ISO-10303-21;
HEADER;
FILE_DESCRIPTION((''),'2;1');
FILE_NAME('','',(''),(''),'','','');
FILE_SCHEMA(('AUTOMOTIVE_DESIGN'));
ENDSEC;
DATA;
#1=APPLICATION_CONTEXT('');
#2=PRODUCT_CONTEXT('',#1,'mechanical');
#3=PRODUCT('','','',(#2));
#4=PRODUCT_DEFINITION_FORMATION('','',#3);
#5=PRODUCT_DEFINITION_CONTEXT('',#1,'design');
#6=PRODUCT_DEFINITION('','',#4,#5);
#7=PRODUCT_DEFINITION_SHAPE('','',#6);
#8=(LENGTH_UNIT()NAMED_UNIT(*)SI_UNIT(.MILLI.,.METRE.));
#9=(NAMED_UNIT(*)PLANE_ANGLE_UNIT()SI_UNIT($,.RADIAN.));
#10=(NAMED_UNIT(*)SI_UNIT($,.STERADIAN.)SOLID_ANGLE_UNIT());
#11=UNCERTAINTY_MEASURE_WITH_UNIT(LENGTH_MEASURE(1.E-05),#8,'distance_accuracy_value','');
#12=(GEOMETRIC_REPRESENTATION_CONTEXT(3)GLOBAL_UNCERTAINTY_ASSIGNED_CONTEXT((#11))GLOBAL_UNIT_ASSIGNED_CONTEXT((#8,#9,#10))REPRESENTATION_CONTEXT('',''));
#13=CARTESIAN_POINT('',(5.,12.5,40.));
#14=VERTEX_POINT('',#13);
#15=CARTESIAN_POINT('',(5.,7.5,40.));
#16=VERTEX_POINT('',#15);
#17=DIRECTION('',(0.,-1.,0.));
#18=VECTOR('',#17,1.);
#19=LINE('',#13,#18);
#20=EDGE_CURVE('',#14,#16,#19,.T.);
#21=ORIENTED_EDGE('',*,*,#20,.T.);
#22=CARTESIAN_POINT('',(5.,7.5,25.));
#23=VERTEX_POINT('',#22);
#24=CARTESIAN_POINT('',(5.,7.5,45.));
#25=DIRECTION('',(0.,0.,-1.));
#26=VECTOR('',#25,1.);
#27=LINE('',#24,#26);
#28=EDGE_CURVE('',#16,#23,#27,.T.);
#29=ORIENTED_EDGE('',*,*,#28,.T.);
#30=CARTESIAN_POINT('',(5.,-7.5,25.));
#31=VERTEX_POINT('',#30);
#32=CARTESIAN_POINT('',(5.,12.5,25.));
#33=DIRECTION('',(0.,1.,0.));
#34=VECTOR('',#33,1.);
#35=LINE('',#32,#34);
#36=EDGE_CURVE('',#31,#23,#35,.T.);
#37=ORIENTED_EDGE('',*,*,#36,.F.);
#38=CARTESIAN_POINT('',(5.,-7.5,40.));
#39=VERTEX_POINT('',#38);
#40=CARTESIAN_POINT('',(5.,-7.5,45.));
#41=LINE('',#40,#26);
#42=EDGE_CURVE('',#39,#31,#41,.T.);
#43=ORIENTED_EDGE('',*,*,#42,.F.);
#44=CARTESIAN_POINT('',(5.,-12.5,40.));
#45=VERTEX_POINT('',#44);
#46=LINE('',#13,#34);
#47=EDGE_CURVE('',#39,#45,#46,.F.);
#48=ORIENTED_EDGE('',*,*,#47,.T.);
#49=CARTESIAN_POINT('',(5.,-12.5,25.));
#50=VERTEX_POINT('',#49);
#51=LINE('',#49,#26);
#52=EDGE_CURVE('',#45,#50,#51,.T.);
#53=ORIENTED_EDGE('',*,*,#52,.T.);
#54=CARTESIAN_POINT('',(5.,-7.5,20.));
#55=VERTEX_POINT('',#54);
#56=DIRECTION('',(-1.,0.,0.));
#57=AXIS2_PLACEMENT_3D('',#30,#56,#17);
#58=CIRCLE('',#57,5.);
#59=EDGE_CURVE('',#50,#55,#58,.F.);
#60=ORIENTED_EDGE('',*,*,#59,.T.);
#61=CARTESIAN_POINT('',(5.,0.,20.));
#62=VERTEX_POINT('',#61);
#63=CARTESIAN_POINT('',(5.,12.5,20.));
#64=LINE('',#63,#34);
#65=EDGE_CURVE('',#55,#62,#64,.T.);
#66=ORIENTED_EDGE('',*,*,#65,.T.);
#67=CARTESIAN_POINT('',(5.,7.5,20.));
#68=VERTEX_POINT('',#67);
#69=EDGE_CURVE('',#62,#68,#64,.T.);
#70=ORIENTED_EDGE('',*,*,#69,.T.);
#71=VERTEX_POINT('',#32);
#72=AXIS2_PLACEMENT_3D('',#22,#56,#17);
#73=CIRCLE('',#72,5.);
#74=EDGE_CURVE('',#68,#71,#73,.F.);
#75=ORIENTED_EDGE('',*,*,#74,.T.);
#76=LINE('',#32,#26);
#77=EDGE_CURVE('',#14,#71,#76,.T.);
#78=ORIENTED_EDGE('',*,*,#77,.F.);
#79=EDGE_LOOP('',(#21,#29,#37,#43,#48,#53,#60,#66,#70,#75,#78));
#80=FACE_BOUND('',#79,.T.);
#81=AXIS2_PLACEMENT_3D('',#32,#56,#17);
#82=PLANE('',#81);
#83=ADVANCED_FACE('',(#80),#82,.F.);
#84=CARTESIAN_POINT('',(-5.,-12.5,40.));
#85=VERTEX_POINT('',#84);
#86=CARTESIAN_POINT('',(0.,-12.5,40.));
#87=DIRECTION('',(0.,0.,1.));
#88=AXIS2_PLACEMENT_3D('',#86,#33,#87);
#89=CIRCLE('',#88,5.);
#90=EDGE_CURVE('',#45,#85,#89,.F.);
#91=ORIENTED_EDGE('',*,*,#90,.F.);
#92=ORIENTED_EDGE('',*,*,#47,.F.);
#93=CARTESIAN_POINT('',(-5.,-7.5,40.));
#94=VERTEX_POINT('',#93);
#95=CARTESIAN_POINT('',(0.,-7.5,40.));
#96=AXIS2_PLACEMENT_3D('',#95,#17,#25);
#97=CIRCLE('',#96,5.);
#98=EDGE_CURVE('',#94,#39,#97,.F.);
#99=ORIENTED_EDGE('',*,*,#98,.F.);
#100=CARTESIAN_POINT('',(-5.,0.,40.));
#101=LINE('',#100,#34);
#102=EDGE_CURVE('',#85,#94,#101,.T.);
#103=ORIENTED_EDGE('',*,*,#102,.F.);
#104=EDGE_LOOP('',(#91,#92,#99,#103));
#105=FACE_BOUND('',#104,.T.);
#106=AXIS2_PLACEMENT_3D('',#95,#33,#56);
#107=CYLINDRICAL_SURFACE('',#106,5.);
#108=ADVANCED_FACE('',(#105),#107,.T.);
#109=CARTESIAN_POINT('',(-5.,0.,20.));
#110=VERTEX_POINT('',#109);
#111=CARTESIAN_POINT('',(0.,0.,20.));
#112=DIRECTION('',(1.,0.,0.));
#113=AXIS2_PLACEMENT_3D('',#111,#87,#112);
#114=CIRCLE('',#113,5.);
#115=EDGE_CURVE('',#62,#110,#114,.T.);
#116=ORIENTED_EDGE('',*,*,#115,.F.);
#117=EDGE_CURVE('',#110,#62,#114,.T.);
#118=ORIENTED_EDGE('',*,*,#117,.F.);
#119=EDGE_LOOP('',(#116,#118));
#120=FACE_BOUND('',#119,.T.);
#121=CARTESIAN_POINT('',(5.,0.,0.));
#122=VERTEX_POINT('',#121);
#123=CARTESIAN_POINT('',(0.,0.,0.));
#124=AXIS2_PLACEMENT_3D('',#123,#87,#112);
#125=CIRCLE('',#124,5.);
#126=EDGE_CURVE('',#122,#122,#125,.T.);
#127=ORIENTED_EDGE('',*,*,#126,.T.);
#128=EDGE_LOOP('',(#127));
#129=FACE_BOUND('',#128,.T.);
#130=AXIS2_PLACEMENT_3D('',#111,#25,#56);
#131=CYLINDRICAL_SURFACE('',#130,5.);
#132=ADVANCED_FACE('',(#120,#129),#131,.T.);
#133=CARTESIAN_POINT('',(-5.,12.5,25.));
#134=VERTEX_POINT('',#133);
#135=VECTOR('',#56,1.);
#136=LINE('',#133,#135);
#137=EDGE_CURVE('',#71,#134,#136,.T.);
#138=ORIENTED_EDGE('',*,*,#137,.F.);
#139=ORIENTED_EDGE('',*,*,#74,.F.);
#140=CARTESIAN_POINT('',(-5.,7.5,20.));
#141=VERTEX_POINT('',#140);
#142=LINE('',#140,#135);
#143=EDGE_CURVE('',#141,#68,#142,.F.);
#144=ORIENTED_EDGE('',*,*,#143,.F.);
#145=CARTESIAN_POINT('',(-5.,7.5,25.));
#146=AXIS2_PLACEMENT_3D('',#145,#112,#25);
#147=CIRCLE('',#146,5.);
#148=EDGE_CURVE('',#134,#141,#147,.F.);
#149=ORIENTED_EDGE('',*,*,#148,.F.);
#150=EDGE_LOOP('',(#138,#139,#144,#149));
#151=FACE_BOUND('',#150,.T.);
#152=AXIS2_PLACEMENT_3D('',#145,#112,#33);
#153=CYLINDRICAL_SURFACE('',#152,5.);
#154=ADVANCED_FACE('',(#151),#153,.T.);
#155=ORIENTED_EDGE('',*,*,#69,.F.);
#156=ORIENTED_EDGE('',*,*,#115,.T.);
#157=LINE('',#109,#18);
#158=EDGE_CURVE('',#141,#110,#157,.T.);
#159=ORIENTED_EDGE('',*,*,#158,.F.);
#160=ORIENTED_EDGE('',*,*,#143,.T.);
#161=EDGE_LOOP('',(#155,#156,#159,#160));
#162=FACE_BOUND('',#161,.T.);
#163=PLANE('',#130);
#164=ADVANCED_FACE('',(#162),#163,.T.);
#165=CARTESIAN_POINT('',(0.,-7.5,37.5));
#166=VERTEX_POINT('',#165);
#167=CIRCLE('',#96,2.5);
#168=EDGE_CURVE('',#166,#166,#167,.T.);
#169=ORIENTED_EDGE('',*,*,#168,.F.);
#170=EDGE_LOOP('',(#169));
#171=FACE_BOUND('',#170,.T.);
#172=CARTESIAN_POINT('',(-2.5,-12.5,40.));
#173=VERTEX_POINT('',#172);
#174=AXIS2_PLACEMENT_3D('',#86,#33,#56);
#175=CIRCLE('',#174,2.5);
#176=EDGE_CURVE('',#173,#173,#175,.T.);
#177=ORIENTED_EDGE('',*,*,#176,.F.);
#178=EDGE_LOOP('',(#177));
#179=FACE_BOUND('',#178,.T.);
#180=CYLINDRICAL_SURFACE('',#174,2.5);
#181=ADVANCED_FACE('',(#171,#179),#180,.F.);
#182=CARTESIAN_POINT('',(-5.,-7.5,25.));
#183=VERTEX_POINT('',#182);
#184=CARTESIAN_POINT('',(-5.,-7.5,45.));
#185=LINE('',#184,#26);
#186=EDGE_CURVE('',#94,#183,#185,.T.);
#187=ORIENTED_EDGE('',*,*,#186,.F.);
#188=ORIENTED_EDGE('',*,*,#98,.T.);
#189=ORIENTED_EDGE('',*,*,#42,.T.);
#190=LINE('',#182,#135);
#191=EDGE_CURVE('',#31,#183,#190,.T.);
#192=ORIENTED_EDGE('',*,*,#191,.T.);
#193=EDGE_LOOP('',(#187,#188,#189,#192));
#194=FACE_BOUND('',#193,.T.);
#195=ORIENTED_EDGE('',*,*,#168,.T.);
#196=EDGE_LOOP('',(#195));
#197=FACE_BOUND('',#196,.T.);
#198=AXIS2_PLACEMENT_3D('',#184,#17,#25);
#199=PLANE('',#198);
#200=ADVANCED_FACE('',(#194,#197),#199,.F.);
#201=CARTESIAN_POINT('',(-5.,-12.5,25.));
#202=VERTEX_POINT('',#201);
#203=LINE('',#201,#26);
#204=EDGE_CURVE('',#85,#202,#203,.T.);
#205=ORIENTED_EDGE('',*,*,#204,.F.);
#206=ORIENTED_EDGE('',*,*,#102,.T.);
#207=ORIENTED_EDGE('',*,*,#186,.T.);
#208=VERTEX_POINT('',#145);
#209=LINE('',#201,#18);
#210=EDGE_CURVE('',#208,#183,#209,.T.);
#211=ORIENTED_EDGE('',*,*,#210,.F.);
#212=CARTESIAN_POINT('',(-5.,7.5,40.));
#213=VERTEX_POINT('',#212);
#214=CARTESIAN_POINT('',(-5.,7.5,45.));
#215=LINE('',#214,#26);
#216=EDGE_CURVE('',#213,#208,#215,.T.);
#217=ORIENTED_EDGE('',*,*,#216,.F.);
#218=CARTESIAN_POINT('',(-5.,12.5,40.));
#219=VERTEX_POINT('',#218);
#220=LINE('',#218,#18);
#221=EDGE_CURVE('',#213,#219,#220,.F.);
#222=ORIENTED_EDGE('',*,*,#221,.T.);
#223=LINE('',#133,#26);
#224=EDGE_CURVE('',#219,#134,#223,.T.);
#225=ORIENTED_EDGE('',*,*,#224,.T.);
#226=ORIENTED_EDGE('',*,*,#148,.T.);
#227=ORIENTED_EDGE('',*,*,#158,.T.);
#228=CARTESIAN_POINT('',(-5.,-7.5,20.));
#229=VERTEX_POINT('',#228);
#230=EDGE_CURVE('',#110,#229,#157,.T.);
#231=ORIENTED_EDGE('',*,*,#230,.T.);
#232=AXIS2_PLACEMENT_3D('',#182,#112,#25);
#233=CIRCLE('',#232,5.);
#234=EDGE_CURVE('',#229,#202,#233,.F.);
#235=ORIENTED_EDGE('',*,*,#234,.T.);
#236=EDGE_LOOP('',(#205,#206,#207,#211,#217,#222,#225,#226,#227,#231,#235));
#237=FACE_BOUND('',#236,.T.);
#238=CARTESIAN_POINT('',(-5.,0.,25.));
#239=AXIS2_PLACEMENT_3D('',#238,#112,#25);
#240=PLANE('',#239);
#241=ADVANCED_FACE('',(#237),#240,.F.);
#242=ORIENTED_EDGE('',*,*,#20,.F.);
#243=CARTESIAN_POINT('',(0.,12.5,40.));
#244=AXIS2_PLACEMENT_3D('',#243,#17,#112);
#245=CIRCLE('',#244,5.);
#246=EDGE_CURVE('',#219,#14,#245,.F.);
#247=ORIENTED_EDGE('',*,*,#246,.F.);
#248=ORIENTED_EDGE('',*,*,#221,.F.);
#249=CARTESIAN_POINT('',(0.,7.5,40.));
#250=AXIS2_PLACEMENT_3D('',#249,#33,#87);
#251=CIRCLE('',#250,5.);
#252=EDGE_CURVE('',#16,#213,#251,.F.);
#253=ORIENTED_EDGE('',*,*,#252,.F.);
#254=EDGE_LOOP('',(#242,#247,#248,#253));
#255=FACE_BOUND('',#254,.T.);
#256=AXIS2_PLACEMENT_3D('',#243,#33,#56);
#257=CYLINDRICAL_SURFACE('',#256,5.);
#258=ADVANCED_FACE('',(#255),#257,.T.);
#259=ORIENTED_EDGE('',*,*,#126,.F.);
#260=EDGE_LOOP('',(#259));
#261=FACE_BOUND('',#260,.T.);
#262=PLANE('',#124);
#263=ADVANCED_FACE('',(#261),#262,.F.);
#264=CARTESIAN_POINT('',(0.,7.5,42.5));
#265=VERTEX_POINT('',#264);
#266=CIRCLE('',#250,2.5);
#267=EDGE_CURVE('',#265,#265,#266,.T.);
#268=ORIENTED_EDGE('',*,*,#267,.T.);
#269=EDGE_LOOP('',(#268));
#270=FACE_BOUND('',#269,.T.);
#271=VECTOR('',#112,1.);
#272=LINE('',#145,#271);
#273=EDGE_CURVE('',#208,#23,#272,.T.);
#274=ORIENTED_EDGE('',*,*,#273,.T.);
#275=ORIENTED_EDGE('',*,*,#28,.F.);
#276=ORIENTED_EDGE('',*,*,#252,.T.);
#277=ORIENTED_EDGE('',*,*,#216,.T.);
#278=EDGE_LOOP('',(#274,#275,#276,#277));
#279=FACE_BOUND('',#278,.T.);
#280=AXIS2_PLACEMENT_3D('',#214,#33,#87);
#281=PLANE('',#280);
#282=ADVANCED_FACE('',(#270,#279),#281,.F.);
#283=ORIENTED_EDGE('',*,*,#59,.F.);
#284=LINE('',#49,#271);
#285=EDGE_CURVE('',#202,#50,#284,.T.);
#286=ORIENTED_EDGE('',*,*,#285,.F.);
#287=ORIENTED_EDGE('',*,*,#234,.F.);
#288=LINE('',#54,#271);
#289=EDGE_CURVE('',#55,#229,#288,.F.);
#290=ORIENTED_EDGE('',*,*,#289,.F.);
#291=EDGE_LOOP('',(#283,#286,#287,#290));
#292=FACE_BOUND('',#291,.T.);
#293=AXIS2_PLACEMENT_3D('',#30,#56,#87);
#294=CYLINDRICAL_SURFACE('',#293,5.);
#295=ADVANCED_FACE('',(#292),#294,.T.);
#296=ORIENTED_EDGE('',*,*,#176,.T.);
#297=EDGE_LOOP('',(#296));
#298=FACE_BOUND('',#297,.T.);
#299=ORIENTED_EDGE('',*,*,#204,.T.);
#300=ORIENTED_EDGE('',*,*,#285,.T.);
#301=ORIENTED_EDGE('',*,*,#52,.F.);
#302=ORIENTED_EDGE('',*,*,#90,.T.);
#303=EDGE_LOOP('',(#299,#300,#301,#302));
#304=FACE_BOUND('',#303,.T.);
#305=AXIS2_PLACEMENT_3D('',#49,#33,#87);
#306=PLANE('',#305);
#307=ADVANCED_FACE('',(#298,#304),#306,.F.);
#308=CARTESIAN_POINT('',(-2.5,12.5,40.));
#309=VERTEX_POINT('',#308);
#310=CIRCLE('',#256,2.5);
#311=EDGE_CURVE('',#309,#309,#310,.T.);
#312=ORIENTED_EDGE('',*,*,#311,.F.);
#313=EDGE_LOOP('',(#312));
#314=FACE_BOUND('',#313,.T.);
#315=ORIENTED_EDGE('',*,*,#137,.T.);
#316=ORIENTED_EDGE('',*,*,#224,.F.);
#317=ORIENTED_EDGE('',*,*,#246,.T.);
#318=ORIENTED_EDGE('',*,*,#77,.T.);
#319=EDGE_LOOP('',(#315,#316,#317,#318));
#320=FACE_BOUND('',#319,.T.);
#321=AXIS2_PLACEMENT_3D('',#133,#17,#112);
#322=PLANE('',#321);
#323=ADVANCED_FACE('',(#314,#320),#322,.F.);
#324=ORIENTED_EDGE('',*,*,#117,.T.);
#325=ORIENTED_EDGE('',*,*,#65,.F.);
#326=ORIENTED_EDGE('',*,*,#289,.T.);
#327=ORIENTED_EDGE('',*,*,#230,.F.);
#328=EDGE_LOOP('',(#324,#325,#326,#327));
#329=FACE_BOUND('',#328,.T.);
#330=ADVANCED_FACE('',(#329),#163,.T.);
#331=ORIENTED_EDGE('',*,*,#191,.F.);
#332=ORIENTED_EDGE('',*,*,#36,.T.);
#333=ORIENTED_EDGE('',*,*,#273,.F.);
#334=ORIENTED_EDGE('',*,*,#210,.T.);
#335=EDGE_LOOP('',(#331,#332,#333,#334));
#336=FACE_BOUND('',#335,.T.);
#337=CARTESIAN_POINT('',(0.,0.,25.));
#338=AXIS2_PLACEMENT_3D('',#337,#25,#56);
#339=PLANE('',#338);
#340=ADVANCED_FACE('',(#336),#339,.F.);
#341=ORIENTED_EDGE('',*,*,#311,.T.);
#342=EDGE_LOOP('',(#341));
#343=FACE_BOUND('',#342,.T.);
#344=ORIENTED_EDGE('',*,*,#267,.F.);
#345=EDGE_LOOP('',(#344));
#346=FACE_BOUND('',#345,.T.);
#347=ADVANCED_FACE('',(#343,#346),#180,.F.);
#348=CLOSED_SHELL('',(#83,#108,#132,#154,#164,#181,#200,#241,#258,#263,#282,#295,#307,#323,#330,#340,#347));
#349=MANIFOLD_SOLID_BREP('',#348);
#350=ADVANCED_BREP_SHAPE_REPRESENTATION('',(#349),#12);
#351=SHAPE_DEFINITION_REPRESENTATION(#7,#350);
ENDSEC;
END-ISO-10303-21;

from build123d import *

# Parameters (mm, degrees)
SKETCH1_R           = 5
BOSS_EXTRUDE1_DEPTH = 20
BOSS_EXTRUDE2_DEPTH = 5
SKETCH3_W           = 10
SKETCH3_H           = 5
BOSS_EXTRUDE3_DEPTH = 20
SKETCH4_R           = 2.5
CUT_EXTRUDE1_DEPTH  = 52.720402164
FILLET1_RADIUS      = 5
FILLET1_LENGTH      = 5
FILLET2_RADIUS      = 5
FILLET2_LENGTH      = 5
FILLET4_R           = 5
FILLET5_R           = 5


with BuildPart() as part:
    # Sketch1 → Boss-Extrude1 (new body)
    with BuildSketch(Plane.XY):
        Circle(SKETCH1_R)
    extrude(amount=BOSS_EXTRUDE1_DEPTH)

    # Sketch2 → Boss-Extrude2 (add)
    with BuildSketch(Plane.XY.offset(20)):
        Polygon((-5, 0), (-5, 12.5), (5, 12.5), (5, -12.5), (-5, -12.5), align=None)
    extrude(amount=BOSS_EXTRUDE2_DEPTH)

    # Sketch3 → Boss-Extrude3 (add)
    with BuildSketch(Plane.XY.offset(25)):
        with Locations((0, 10)):
            Rectangle(SKETCH3_W, SKETCH3_H)
        with Locations((0, -10)):
            Rectangle(SKETCH3_W, SKETCH3_H)
    extrude(amount=BOSS_EXTRUDE3_DEPTH)

    # Sketch4 → Cut-Extrude1 (cut, through all)
    with BuildSketch(Plane(origin=(0, 12.5, 0), x_dir=(1, 0, 0), z_dir=(0, 1, 0))):
        with Locations(Location((0, -40, 0), (0, 0, 180))):
            Circle(SKETCH4_R)
    extrude(amount=-CUT_EXTRUDE1_DEPTH, mode=Mode.SUBTRACT)

    # Fillet1: full round fillet: the end face becomes a half cylinder, R = half its width
    fillet1_face = Plane((0, 10, 45), x_dir=(0, -1, 0), z_dir=(0, 0, 1))  # on the end face: x along it, z out of the body
    fillet1_slab = fillet1_face.offset(-FILLET1_RADIUS / 2) * Box(FILLET1_LENGTH, 2 * FILLET1_RADIUS, FILLET1_RADIUS, mode=Mode.PRIVATE)  # the body's end, R deep
    fillet1_round = Plane((0, 10, 40), x_dir=(0, 0, 1), z_dir=(0, -1, 0)) * Cylinder(FILLET1_RADIUS, FILLET1_LENGTH, mode=Mode.PRIVATE)  # its axis R under the face
    add(fillet1_slab - fillet1_round, mode=Mode.SUBTRACT)

    # Fillet2: full round fillet: the end face becomes a half cylinder, R = half its width
    fillet2_face = Plane((0, -10, 45), x_dir=(0, -1, 0), z_dir=(0, 0, 1))  # on the end face: x along it, z out of the body
    fillet2_slab = fillet2_face.offset(-FILLET2_RADIUS / 2) * Box(FILLET2_LENGTH, 2 * FILLET2_RADIUS, FILLET2_RADIUS, mode=Mode.PRIVATE)  # the body's end, R deep
    fillet2_round = Plane((0, -10, 40), x_dir=(0, 0, 1), z_dir=(0, -1, 0)) * Cylinder(FILLET2_RADIUS, FILLET2_LENGTH, mode=Mode.PRIVATE)  # its axis R under the face
    add(fillet2_slab - fillet2_round, mode=Mode.SUBTRACT)

    # Fillet4
    fillet4_edges = [part.edges().sort_by_distance(p)[0] for p in [
        (0, 12.5, 20),
    ]]
    fillet(fillet4_edges, radius=FILLET4_R)

    # Fillet5
    fillet5_edges = [part.edges().sort_by_distance(p)[0] for p in [
        (0, -12.5, 20),
    ]]
    fillet(fillet5_edges, radius=FILLET5_R)


solid = part.part
